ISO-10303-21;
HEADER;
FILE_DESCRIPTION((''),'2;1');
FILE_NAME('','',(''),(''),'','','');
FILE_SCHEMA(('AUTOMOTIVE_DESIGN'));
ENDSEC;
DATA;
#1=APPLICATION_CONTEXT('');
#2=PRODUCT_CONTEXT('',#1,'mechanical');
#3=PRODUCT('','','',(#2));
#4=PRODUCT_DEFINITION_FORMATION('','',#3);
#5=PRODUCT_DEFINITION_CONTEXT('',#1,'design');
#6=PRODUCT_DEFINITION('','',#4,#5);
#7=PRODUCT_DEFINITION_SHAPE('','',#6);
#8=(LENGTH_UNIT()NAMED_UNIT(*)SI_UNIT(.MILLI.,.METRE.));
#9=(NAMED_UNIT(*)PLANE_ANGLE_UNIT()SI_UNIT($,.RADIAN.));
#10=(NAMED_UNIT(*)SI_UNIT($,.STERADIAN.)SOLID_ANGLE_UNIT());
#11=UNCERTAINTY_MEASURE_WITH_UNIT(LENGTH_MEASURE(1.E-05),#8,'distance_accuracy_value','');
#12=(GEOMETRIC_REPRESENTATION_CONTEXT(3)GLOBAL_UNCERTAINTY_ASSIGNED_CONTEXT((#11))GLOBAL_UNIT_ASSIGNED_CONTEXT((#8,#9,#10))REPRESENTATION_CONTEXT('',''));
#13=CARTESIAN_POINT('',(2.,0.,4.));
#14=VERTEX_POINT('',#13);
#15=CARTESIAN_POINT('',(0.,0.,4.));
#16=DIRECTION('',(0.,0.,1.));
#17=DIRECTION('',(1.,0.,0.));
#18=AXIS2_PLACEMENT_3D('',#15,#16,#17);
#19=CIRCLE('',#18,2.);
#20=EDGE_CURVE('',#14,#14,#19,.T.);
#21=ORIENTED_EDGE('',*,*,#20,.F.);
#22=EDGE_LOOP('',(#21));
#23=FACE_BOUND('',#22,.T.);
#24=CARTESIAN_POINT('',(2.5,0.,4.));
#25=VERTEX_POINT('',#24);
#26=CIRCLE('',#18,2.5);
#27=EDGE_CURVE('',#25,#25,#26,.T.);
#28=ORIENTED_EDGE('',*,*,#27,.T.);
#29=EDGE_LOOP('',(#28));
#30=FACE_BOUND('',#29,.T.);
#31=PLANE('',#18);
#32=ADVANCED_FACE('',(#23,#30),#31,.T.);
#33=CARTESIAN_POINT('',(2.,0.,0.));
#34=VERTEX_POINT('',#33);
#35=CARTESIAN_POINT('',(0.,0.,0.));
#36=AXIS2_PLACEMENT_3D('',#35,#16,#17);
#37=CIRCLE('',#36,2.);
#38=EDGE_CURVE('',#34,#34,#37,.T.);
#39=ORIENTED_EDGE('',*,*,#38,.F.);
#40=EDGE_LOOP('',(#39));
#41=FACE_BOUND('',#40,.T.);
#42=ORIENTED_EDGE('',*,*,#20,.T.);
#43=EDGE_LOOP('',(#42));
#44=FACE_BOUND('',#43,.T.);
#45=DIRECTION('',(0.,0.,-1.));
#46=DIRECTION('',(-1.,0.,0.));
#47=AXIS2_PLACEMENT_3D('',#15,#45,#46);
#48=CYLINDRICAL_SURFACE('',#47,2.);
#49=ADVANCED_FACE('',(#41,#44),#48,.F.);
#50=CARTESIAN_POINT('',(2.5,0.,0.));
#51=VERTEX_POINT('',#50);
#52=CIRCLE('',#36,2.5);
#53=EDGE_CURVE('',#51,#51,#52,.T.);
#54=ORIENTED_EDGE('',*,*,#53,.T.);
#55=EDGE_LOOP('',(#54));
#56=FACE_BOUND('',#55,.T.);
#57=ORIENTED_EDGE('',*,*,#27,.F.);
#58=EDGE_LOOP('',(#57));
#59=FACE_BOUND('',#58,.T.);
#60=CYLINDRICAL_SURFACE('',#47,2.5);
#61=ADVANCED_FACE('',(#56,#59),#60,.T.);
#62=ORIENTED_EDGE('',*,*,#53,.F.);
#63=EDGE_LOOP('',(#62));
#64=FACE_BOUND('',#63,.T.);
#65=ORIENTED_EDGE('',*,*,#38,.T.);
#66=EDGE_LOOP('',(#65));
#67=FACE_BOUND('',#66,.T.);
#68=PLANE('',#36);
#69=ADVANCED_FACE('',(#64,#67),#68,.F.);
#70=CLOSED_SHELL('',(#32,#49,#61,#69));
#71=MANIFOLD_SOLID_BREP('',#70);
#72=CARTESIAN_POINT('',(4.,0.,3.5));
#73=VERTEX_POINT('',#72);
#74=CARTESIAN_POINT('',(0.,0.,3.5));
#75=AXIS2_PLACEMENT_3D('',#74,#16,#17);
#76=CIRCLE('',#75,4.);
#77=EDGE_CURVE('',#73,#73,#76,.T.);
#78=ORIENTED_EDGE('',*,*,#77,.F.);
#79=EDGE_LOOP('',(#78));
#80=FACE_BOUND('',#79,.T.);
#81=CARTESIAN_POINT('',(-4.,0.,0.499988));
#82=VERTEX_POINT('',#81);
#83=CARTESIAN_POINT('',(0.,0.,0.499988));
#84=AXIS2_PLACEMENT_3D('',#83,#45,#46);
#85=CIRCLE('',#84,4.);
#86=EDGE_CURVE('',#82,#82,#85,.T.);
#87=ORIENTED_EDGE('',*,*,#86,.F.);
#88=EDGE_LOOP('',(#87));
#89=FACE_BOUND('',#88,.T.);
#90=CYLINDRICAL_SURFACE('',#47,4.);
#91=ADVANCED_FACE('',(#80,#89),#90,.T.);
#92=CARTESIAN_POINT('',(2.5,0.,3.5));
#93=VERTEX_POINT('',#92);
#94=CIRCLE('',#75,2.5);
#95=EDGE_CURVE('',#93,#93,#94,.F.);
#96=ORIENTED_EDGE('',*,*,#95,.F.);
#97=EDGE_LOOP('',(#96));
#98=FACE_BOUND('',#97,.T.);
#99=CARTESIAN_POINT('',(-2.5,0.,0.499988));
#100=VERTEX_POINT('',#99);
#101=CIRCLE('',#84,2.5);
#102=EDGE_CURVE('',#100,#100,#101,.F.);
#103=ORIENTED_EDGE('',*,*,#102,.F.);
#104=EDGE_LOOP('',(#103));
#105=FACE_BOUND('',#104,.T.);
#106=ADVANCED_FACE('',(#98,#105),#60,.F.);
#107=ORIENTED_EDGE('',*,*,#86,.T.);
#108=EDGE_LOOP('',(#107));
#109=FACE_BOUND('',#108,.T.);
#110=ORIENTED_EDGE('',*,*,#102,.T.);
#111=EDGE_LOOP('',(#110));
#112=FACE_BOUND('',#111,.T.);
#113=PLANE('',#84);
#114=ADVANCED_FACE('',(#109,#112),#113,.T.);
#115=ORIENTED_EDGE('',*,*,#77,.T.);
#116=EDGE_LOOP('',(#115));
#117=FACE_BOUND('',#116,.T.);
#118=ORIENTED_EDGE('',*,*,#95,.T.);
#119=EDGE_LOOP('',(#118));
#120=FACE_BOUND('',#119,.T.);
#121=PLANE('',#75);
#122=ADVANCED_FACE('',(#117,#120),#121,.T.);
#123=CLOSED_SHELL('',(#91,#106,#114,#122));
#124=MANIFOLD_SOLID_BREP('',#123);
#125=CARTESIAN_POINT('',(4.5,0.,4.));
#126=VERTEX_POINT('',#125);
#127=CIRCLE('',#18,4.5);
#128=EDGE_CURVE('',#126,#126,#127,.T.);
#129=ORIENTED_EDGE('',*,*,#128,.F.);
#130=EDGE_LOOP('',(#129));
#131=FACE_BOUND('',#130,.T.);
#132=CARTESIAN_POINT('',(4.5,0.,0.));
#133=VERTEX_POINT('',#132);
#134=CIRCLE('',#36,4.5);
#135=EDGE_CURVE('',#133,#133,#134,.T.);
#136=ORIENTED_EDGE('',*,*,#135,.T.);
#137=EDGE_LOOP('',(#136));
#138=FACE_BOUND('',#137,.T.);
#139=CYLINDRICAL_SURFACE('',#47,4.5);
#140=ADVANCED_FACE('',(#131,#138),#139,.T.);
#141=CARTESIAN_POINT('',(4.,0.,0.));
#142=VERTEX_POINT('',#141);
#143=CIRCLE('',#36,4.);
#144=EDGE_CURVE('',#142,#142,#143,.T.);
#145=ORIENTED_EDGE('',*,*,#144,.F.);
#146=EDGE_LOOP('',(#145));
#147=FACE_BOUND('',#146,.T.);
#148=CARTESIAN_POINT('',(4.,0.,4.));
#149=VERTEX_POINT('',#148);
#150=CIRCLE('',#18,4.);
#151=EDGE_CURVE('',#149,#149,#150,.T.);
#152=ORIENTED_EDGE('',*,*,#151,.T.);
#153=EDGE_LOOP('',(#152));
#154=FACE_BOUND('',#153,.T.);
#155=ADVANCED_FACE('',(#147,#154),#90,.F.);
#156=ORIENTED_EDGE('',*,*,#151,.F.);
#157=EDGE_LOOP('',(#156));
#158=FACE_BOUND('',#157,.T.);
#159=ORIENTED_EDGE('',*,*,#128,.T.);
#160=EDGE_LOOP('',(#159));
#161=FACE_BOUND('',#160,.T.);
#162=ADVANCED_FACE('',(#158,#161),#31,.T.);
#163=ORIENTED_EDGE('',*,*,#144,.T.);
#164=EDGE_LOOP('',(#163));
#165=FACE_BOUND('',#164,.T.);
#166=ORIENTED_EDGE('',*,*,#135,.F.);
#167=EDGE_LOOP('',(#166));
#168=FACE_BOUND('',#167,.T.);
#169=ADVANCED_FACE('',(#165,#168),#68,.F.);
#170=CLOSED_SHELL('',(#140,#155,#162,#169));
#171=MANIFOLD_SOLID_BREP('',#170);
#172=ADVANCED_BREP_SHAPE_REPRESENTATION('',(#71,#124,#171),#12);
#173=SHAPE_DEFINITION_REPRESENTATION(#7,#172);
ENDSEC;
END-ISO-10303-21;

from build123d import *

# Parameters (mm, degrees)
SKETCH1_R             = 4.5
SKETCH1_R_2           = 4
BOSS_EXTRUDE1_DEPTH   = 4
SKETCH1_R_3           = 2.5
SKETCH1_R_4           = 2
BOSS_EXTRUDE1_2_DEPTH = 4
BOSS_EXTRUDE2_START   = -1.2e-05
SKETCH1_3_R           = 4
SKETCH1_3_R_2         = 2.5
BOSS_EXTRUDE2_DEPTH   = 4.000012
SKETCH2_R             = 4
SKETCH2_R_2           = 2.5
CUT_EXTRUDE3_DEPTH    = 0.5
CUT_EXTRUDE4_START    = -0.5
SKETCH3_R             = 4
SKETCH3_R_2           = 2.5
CUT_EXTRUDE4_DEPTH    = 0.5


with BuildPart() as part:
    # Sketch1 → Boss-Extrude1 (new body)
    with BuildSketch(Plane.XY):
        Circle(SKETCH1_R)
        Circle(SKETCH1_R_2, mode=Mode.SUBTRACT)
    extrude(amount=BOSS_EXTRUDE1_DEPTH)


with BuildPart() as body_2:
    # Sketch1 → Boss-Extrude1 2 (new body)
    with BuildSketch(Plane.XY):
        Circle(SKETCH1_R_3)
        Circle(SKETCH1_R_4, mode=Mode.SUBTRACT)
    extrude(amount=BOSS_EXTRUDE1_2_DEPTH)


with BuildPart() as body_3:
    # Sketch1<3> → Boss-Extrude2 (new body)
    with BuildSketch(Plane.XY.offset(BOSS_EXTRUDE2_START)):
        Circle(SKETCH1_3_R)
        Circle(SKETCH1_3_R_2, mode=Mode.SUBTRACT)
    extrude(amount=BOSS_EXTRUDE2_DEPTH)

    # Sketch2 → Cut-Extrude3 (cut)
    with BuildSketch(Plane(origin=(0, 0, -1.2e-05), x_dir=(-1, 0, 0), z_dir=(0, 0, -1))):
        Circle(SKETCH2_R)
        Circle(SKETCH2_R_2, mode=Mode.SUBTRACT)
    extrude(amount=-CUT_EXTRUDE3_DEPTH, mode=Mode.SUBTRACT)

    # Sketch3 → Cut-Extrude4 (cut)
    with BuildSketch(Plane.XY.offset(4).offset(CUT_EXTRUDE4_START)):
        with Locations(Location((0, 0, 0), (0, 0, 180))):
            Circle(SKETCH3_R)
        with Locations(Location((0, 0, 0), (0, 0, 180))):
            Circle(SKETCH3_R_2, mode=Mode.SUBTRACT)
    extrude(amount=CUT_EXTRUDE4_DEPTH, mode=Mode.SUBTRACT)


solid = Compound([part.part, body_2.part, body_3.part])
